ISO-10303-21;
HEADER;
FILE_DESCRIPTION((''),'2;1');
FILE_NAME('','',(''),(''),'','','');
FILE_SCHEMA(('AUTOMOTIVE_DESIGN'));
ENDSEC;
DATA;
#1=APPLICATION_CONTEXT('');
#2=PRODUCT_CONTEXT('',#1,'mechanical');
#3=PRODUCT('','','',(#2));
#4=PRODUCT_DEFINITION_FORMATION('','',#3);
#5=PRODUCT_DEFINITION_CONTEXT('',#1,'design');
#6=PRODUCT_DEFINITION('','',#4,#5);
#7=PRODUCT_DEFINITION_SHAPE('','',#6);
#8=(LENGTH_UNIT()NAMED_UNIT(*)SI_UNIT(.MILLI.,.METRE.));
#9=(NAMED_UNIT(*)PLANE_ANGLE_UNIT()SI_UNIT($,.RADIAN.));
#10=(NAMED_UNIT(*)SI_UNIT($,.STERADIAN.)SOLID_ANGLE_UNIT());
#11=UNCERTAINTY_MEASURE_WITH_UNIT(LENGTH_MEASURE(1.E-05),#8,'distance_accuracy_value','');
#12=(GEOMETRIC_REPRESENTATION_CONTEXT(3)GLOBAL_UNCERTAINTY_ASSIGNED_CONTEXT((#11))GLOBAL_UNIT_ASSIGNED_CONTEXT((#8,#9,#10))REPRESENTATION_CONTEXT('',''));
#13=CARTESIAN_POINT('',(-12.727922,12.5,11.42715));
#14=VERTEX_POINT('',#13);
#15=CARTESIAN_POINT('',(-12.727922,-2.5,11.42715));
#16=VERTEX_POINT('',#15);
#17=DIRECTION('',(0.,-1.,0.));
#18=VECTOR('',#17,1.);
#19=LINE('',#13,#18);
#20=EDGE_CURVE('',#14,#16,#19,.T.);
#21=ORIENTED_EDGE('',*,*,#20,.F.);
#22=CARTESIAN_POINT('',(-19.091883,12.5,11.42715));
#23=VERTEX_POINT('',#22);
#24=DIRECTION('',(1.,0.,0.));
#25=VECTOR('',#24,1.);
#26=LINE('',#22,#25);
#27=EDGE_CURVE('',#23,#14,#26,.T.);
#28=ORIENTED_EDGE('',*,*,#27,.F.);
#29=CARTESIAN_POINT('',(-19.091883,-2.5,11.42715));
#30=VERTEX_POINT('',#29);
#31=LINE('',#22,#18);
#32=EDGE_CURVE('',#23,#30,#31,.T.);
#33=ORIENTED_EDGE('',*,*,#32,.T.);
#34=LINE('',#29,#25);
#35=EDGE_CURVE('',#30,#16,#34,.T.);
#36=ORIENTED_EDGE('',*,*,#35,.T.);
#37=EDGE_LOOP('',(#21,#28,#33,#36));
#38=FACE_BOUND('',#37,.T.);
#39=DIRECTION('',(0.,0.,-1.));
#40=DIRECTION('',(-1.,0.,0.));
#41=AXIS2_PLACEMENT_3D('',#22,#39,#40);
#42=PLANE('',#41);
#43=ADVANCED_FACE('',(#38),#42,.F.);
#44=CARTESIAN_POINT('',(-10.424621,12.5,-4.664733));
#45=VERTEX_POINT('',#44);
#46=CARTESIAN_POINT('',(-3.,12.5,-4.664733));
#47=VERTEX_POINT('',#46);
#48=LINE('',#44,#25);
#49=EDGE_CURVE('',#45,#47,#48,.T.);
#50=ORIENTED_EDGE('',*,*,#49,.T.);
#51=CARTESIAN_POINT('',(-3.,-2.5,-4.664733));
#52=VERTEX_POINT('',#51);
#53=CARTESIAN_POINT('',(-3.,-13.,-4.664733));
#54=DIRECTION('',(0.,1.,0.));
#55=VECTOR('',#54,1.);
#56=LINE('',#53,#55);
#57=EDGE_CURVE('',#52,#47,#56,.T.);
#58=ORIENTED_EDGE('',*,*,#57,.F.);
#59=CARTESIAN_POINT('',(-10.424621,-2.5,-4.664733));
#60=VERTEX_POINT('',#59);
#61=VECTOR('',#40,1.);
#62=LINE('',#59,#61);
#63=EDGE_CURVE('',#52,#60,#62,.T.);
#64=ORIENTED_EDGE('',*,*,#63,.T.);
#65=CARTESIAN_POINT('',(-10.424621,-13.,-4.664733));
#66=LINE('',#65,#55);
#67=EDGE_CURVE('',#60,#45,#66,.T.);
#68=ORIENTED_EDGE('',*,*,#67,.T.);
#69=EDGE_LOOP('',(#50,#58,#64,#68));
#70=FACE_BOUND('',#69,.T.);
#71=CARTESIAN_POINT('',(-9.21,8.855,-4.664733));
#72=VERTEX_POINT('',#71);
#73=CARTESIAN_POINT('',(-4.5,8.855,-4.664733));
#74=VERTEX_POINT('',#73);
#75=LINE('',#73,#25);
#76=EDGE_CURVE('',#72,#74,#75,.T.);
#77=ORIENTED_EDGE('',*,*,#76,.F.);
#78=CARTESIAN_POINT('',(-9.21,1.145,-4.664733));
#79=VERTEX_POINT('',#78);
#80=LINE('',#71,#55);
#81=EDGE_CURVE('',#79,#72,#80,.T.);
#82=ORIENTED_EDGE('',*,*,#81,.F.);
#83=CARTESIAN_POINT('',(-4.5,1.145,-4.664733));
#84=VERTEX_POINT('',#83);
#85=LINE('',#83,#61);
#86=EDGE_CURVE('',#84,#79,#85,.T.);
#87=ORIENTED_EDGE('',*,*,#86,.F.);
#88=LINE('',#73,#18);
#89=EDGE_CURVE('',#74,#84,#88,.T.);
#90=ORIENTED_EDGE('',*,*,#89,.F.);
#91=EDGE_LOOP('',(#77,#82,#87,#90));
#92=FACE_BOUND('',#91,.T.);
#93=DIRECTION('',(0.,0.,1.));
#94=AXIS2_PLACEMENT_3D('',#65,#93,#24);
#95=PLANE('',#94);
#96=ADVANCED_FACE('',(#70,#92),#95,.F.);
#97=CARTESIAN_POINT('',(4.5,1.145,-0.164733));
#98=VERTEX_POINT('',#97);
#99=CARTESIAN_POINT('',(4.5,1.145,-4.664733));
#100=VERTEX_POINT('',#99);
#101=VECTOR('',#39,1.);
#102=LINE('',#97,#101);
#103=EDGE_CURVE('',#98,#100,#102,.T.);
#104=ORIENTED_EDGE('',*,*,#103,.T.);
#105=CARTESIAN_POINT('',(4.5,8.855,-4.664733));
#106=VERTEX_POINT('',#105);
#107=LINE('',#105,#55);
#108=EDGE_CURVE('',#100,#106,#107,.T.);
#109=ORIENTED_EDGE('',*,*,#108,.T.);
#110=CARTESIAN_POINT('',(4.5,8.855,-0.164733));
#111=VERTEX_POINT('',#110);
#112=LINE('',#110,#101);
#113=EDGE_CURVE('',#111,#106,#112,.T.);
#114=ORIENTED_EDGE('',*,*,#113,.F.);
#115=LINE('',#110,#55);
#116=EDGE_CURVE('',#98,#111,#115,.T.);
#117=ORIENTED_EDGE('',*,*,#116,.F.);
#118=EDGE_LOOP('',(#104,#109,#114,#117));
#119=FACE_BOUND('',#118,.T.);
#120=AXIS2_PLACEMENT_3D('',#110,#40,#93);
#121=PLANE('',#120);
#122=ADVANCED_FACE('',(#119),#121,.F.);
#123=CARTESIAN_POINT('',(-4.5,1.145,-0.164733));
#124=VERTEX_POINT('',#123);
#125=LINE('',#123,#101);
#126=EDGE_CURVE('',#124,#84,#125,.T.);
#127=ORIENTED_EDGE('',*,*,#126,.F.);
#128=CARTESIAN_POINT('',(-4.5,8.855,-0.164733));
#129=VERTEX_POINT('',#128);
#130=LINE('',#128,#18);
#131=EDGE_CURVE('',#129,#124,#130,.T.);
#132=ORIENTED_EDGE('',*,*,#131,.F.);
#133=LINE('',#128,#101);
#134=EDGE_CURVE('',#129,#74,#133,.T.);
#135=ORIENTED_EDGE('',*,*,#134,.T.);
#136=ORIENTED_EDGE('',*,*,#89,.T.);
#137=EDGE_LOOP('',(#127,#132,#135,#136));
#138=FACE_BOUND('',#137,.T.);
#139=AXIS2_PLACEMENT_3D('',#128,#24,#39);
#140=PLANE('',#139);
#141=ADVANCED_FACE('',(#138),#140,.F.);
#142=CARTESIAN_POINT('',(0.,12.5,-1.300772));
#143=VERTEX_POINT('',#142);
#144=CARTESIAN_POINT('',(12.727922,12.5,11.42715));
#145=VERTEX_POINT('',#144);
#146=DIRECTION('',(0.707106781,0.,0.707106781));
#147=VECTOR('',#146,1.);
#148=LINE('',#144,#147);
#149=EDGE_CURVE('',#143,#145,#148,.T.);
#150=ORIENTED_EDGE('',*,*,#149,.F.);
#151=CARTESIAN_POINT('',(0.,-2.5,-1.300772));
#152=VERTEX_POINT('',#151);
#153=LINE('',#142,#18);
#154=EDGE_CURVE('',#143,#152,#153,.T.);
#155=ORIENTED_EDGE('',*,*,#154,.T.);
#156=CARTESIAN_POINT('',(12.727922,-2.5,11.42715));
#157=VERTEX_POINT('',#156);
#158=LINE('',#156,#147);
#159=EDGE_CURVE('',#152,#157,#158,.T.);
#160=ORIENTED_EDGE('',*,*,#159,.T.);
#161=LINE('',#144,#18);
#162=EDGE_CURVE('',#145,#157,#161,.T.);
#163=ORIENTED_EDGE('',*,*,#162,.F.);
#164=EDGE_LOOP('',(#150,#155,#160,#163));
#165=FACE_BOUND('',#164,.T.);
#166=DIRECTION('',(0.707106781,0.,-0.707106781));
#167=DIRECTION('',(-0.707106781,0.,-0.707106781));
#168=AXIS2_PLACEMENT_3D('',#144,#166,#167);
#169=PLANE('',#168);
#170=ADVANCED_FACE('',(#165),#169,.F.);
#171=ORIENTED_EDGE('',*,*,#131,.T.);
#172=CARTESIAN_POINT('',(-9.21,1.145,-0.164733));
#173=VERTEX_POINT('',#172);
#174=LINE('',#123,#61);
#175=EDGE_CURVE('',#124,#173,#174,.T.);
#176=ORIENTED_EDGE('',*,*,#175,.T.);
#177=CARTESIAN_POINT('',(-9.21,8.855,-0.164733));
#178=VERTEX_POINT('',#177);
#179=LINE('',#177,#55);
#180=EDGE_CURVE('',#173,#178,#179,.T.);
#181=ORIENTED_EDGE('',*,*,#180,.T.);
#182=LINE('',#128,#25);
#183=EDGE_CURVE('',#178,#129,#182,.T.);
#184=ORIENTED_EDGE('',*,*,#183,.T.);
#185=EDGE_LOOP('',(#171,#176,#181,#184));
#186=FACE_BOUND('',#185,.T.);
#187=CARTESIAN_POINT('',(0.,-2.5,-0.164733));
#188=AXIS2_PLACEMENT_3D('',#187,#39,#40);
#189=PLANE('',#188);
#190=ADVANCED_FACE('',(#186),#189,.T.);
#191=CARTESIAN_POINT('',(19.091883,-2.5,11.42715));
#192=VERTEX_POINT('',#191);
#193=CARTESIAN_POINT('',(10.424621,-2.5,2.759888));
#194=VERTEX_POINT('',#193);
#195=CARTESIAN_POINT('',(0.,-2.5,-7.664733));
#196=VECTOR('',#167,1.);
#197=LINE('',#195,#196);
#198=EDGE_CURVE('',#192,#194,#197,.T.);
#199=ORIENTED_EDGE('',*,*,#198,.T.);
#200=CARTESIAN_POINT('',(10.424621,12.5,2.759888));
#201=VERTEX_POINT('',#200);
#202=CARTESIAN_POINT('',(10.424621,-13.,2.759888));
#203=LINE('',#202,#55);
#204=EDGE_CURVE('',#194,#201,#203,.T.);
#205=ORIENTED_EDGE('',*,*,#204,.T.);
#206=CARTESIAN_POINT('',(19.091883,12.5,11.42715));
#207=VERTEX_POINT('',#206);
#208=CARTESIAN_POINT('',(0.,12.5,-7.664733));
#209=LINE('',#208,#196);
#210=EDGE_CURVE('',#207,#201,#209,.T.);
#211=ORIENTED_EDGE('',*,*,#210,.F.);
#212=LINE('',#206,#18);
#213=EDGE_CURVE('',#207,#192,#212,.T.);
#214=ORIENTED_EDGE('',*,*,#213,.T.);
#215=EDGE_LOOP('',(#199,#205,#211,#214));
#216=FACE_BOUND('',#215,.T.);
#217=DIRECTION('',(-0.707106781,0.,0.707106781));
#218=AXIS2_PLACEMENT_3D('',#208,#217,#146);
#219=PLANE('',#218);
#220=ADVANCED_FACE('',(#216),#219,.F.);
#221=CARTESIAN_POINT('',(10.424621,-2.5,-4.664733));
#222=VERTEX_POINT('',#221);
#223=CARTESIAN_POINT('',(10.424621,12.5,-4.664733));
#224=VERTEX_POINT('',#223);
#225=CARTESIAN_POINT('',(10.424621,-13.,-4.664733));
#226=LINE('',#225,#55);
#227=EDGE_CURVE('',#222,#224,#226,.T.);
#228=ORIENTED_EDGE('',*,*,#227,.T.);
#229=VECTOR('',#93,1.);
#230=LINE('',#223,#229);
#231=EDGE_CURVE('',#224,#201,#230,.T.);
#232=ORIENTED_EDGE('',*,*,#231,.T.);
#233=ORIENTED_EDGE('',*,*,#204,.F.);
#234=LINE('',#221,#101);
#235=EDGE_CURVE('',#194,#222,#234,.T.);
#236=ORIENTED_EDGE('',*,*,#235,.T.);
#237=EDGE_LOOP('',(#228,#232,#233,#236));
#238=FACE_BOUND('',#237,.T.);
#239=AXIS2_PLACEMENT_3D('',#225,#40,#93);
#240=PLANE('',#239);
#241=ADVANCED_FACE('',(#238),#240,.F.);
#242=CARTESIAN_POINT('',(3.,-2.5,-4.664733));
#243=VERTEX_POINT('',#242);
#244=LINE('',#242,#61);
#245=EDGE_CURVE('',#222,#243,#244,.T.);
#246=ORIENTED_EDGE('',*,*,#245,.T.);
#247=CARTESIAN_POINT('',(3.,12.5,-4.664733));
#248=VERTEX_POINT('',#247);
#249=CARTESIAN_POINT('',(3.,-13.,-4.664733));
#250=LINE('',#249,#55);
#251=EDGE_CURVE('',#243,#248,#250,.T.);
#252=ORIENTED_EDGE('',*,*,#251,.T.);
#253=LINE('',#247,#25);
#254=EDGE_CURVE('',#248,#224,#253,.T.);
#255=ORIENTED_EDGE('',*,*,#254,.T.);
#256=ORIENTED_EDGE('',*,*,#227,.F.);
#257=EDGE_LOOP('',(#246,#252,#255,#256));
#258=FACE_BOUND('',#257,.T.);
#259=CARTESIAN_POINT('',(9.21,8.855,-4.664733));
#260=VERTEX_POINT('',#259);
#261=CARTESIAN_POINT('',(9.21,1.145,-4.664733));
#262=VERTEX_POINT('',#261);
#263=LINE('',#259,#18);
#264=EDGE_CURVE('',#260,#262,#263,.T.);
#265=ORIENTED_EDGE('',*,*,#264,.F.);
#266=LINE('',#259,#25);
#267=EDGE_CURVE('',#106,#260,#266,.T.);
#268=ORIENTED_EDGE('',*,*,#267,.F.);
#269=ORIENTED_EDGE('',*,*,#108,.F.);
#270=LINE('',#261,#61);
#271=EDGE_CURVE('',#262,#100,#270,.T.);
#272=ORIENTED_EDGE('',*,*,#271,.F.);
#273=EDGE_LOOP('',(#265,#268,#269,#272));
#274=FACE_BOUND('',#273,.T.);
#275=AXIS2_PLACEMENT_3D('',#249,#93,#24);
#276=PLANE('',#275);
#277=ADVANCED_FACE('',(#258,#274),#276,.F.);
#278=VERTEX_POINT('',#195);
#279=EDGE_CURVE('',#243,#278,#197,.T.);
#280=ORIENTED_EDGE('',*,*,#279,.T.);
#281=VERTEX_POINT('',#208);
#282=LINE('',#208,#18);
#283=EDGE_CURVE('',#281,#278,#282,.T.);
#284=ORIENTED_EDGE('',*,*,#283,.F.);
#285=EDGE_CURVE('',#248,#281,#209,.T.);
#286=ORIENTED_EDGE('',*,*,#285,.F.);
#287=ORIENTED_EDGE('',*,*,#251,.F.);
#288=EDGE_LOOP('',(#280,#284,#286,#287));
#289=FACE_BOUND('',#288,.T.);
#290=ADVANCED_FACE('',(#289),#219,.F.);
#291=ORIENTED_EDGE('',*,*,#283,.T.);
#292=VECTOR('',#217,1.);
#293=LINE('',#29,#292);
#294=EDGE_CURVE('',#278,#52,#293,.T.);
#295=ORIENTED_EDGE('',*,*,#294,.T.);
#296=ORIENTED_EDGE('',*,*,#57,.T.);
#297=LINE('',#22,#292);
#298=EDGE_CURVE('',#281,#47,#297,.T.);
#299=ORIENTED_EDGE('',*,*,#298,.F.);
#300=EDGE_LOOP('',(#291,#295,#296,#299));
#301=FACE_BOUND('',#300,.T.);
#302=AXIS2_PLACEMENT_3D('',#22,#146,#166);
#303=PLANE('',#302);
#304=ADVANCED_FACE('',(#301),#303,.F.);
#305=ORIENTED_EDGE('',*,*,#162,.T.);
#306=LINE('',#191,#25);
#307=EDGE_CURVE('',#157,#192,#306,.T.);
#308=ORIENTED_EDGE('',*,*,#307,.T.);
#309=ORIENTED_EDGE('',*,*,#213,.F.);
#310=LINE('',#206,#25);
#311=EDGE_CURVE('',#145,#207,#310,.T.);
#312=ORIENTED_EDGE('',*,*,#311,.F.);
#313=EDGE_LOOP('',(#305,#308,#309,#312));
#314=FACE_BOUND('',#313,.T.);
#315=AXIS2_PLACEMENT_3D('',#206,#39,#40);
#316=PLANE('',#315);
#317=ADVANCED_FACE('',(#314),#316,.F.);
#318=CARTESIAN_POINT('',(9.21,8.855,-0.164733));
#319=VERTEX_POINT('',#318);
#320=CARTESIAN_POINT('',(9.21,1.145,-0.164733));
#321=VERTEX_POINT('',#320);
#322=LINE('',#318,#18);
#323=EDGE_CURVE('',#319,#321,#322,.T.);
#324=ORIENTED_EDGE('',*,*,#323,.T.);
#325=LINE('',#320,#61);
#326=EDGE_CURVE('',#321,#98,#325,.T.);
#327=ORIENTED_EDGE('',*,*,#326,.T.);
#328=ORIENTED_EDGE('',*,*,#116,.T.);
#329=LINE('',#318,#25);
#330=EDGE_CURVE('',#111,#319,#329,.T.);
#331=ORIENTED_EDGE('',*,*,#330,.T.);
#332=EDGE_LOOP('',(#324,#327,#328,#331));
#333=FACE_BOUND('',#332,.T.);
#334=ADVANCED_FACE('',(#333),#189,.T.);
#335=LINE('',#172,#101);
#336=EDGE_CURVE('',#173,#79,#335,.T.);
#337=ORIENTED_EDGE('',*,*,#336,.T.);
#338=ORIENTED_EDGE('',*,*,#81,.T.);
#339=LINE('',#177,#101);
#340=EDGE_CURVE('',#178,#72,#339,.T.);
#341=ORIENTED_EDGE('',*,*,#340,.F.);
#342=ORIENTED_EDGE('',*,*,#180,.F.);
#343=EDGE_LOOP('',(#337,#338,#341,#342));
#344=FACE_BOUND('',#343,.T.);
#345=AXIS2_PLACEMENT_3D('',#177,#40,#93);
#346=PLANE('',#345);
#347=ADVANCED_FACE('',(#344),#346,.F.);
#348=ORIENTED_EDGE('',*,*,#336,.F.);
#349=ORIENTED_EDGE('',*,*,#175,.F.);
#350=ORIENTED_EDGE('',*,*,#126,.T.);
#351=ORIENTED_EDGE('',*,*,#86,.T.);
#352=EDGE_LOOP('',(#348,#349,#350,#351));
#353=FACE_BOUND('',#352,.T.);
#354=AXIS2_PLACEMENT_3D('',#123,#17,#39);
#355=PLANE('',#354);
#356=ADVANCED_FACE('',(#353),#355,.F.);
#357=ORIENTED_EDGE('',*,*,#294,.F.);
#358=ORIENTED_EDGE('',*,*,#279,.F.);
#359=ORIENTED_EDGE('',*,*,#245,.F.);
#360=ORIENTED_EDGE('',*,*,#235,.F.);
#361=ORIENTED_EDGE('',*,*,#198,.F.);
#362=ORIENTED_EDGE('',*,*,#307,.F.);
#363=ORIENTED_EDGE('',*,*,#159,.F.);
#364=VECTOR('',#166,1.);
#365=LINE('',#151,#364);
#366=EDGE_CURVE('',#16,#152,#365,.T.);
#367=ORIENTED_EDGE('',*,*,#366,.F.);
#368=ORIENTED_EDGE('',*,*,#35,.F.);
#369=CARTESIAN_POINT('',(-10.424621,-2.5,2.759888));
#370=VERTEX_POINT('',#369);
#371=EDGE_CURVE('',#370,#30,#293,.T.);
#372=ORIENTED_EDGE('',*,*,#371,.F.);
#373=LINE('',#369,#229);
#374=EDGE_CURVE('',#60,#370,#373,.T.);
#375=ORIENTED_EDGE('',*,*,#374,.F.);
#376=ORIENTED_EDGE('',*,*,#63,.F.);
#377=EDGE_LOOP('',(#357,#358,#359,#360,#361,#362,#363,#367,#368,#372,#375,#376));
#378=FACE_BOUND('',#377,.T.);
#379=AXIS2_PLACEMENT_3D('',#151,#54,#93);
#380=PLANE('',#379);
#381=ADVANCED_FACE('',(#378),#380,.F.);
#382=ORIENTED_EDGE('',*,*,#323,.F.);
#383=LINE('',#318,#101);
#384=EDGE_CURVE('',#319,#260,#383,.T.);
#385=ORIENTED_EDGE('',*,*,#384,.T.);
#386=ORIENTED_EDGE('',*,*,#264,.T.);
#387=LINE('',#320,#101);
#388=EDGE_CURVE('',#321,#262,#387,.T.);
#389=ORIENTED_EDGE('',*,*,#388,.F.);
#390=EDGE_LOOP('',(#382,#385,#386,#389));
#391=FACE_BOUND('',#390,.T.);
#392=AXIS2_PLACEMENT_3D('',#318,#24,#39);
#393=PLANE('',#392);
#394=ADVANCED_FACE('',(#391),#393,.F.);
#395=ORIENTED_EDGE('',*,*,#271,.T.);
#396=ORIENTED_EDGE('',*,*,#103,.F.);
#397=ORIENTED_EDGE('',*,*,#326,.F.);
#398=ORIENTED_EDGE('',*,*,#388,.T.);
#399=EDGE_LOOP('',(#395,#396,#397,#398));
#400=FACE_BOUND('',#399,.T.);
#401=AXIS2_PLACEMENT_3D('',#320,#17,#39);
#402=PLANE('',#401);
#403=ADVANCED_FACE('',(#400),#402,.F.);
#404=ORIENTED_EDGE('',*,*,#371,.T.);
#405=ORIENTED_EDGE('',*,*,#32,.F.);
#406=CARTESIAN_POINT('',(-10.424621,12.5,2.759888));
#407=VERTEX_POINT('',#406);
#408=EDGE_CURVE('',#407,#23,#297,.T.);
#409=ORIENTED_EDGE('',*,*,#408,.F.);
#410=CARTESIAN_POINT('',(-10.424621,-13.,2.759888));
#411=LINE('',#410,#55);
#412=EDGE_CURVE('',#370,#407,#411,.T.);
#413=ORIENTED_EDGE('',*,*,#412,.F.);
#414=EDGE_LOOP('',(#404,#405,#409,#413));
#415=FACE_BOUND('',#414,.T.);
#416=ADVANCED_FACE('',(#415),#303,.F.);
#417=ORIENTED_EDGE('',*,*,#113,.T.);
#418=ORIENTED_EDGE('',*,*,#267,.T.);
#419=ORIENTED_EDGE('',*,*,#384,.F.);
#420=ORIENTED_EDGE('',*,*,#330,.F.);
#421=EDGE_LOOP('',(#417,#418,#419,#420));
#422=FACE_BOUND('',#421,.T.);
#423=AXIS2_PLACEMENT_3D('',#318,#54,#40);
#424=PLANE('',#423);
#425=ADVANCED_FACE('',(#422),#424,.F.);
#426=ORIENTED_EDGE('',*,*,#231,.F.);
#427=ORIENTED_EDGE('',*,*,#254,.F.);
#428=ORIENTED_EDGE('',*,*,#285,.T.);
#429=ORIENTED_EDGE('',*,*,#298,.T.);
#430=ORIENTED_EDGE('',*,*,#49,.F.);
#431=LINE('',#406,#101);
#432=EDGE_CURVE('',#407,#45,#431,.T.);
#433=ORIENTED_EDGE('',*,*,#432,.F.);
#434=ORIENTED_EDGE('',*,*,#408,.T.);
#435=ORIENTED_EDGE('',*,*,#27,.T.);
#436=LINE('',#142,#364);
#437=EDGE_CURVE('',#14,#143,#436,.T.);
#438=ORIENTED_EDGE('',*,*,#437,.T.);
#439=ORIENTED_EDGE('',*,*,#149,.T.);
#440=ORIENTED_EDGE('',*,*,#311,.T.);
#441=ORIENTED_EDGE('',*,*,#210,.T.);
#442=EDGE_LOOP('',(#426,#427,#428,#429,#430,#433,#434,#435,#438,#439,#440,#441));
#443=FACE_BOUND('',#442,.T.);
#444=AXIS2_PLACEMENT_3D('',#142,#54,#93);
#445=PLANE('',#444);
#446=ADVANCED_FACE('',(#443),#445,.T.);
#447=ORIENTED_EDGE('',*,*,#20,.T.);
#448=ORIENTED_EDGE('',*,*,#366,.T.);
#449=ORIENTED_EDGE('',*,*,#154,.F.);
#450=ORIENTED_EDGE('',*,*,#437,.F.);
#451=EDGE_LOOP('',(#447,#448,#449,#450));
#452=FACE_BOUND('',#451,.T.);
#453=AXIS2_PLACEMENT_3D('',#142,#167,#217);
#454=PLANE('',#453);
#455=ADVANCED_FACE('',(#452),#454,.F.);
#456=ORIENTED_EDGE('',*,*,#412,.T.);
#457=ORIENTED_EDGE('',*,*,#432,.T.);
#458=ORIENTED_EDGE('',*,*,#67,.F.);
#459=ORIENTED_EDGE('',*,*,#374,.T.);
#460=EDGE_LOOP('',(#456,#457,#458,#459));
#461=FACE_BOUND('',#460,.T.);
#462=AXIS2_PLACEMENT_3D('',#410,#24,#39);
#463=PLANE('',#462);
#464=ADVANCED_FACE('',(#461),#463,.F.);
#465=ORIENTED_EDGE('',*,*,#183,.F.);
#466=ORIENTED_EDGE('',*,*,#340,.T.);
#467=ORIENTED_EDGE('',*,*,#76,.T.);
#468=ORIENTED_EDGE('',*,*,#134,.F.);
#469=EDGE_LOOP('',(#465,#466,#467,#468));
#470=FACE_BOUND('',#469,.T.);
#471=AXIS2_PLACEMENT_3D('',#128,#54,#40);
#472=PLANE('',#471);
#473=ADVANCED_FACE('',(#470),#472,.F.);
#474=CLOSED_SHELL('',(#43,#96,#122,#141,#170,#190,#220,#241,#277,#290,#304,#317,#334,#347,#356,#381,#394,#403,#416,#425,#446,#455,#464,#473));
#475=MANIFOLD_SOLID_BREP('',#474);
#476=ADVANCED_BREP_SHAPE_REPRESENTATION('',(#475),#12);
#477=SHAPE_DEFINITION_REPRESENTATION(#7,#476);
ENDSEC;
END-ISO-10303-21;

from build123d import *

# Parameters (mm, degrees)
EXTRUDE_1_DEPTH     = 10
EXTRUDE_2_DEPTH     = 10
SKETCH_5_W          = 3.14
SKETCH_5_H          = 5.14
CUT_EXTRUDE_1_DEPTH = 3
SCALE_1_SCALE       = 1.5


with BuildPart() as part:
    # 스케치2 → 보스-돌출1 (new body)
    with BuildSketch(Plane(origin=(0, 0, 0), x_dir=(1, 0, 0), z_dir=(0, 1, 0))):
        Polygon((8.485281374, -8.485281374), (0, 0), (-8.485281374, -8.485281374), (-12.727922061, -8.485281374), (0, 4.242640687), (12.727922061, -8.485281374), align=None)
    extrude(amount=EXTRUDE_1_DEPTH)

    # 스케치3 → 보스-돌출2 (add)
    with BuildSketch(Plane(origin=(0, 10, 0), x_dir=(1, 0, 0), z_dir=(0, 1, 0))):
        Polygon((-6.949747468, -2.707106781), (-2, 2.242640687), (-6.949747468, 2.242640687), align=None)
        Polygon((2, 2.242640687), (6.949747468, -2.707106781), (6.949747468, 2.242640687), align=None)
    extrude(amount=-EXTRUDE_2_DEPTH)

    # 스케치5 → 컷-돌출1 (cut)
    with BuildSketch(Plane(origin=(0, 0, -2.242640687), x_dir=(-1, 0, 0), z_dir=(0, 0, -1))):
        with Locations((-4.57, 5)):
            Rectangle(SKETCH_5_W, SKETCH_5_H)
        with Locations((4.57, 5)):
            Rectangle(SKETCH_5_W, SKETCH_5_H)
    extrude(amount=-CUT_EXTRUDE_1_DEPTH, mode=Mode.SUBTRACT)


with BuildPart() as part_1:
    # 축척1: scaled about (0, 5, 2.601544192)
    add(part.part.scale(SCALE_1_SCALE).moved(Location((0, -2.5, -1.300772096))))


solid = part_1.part
